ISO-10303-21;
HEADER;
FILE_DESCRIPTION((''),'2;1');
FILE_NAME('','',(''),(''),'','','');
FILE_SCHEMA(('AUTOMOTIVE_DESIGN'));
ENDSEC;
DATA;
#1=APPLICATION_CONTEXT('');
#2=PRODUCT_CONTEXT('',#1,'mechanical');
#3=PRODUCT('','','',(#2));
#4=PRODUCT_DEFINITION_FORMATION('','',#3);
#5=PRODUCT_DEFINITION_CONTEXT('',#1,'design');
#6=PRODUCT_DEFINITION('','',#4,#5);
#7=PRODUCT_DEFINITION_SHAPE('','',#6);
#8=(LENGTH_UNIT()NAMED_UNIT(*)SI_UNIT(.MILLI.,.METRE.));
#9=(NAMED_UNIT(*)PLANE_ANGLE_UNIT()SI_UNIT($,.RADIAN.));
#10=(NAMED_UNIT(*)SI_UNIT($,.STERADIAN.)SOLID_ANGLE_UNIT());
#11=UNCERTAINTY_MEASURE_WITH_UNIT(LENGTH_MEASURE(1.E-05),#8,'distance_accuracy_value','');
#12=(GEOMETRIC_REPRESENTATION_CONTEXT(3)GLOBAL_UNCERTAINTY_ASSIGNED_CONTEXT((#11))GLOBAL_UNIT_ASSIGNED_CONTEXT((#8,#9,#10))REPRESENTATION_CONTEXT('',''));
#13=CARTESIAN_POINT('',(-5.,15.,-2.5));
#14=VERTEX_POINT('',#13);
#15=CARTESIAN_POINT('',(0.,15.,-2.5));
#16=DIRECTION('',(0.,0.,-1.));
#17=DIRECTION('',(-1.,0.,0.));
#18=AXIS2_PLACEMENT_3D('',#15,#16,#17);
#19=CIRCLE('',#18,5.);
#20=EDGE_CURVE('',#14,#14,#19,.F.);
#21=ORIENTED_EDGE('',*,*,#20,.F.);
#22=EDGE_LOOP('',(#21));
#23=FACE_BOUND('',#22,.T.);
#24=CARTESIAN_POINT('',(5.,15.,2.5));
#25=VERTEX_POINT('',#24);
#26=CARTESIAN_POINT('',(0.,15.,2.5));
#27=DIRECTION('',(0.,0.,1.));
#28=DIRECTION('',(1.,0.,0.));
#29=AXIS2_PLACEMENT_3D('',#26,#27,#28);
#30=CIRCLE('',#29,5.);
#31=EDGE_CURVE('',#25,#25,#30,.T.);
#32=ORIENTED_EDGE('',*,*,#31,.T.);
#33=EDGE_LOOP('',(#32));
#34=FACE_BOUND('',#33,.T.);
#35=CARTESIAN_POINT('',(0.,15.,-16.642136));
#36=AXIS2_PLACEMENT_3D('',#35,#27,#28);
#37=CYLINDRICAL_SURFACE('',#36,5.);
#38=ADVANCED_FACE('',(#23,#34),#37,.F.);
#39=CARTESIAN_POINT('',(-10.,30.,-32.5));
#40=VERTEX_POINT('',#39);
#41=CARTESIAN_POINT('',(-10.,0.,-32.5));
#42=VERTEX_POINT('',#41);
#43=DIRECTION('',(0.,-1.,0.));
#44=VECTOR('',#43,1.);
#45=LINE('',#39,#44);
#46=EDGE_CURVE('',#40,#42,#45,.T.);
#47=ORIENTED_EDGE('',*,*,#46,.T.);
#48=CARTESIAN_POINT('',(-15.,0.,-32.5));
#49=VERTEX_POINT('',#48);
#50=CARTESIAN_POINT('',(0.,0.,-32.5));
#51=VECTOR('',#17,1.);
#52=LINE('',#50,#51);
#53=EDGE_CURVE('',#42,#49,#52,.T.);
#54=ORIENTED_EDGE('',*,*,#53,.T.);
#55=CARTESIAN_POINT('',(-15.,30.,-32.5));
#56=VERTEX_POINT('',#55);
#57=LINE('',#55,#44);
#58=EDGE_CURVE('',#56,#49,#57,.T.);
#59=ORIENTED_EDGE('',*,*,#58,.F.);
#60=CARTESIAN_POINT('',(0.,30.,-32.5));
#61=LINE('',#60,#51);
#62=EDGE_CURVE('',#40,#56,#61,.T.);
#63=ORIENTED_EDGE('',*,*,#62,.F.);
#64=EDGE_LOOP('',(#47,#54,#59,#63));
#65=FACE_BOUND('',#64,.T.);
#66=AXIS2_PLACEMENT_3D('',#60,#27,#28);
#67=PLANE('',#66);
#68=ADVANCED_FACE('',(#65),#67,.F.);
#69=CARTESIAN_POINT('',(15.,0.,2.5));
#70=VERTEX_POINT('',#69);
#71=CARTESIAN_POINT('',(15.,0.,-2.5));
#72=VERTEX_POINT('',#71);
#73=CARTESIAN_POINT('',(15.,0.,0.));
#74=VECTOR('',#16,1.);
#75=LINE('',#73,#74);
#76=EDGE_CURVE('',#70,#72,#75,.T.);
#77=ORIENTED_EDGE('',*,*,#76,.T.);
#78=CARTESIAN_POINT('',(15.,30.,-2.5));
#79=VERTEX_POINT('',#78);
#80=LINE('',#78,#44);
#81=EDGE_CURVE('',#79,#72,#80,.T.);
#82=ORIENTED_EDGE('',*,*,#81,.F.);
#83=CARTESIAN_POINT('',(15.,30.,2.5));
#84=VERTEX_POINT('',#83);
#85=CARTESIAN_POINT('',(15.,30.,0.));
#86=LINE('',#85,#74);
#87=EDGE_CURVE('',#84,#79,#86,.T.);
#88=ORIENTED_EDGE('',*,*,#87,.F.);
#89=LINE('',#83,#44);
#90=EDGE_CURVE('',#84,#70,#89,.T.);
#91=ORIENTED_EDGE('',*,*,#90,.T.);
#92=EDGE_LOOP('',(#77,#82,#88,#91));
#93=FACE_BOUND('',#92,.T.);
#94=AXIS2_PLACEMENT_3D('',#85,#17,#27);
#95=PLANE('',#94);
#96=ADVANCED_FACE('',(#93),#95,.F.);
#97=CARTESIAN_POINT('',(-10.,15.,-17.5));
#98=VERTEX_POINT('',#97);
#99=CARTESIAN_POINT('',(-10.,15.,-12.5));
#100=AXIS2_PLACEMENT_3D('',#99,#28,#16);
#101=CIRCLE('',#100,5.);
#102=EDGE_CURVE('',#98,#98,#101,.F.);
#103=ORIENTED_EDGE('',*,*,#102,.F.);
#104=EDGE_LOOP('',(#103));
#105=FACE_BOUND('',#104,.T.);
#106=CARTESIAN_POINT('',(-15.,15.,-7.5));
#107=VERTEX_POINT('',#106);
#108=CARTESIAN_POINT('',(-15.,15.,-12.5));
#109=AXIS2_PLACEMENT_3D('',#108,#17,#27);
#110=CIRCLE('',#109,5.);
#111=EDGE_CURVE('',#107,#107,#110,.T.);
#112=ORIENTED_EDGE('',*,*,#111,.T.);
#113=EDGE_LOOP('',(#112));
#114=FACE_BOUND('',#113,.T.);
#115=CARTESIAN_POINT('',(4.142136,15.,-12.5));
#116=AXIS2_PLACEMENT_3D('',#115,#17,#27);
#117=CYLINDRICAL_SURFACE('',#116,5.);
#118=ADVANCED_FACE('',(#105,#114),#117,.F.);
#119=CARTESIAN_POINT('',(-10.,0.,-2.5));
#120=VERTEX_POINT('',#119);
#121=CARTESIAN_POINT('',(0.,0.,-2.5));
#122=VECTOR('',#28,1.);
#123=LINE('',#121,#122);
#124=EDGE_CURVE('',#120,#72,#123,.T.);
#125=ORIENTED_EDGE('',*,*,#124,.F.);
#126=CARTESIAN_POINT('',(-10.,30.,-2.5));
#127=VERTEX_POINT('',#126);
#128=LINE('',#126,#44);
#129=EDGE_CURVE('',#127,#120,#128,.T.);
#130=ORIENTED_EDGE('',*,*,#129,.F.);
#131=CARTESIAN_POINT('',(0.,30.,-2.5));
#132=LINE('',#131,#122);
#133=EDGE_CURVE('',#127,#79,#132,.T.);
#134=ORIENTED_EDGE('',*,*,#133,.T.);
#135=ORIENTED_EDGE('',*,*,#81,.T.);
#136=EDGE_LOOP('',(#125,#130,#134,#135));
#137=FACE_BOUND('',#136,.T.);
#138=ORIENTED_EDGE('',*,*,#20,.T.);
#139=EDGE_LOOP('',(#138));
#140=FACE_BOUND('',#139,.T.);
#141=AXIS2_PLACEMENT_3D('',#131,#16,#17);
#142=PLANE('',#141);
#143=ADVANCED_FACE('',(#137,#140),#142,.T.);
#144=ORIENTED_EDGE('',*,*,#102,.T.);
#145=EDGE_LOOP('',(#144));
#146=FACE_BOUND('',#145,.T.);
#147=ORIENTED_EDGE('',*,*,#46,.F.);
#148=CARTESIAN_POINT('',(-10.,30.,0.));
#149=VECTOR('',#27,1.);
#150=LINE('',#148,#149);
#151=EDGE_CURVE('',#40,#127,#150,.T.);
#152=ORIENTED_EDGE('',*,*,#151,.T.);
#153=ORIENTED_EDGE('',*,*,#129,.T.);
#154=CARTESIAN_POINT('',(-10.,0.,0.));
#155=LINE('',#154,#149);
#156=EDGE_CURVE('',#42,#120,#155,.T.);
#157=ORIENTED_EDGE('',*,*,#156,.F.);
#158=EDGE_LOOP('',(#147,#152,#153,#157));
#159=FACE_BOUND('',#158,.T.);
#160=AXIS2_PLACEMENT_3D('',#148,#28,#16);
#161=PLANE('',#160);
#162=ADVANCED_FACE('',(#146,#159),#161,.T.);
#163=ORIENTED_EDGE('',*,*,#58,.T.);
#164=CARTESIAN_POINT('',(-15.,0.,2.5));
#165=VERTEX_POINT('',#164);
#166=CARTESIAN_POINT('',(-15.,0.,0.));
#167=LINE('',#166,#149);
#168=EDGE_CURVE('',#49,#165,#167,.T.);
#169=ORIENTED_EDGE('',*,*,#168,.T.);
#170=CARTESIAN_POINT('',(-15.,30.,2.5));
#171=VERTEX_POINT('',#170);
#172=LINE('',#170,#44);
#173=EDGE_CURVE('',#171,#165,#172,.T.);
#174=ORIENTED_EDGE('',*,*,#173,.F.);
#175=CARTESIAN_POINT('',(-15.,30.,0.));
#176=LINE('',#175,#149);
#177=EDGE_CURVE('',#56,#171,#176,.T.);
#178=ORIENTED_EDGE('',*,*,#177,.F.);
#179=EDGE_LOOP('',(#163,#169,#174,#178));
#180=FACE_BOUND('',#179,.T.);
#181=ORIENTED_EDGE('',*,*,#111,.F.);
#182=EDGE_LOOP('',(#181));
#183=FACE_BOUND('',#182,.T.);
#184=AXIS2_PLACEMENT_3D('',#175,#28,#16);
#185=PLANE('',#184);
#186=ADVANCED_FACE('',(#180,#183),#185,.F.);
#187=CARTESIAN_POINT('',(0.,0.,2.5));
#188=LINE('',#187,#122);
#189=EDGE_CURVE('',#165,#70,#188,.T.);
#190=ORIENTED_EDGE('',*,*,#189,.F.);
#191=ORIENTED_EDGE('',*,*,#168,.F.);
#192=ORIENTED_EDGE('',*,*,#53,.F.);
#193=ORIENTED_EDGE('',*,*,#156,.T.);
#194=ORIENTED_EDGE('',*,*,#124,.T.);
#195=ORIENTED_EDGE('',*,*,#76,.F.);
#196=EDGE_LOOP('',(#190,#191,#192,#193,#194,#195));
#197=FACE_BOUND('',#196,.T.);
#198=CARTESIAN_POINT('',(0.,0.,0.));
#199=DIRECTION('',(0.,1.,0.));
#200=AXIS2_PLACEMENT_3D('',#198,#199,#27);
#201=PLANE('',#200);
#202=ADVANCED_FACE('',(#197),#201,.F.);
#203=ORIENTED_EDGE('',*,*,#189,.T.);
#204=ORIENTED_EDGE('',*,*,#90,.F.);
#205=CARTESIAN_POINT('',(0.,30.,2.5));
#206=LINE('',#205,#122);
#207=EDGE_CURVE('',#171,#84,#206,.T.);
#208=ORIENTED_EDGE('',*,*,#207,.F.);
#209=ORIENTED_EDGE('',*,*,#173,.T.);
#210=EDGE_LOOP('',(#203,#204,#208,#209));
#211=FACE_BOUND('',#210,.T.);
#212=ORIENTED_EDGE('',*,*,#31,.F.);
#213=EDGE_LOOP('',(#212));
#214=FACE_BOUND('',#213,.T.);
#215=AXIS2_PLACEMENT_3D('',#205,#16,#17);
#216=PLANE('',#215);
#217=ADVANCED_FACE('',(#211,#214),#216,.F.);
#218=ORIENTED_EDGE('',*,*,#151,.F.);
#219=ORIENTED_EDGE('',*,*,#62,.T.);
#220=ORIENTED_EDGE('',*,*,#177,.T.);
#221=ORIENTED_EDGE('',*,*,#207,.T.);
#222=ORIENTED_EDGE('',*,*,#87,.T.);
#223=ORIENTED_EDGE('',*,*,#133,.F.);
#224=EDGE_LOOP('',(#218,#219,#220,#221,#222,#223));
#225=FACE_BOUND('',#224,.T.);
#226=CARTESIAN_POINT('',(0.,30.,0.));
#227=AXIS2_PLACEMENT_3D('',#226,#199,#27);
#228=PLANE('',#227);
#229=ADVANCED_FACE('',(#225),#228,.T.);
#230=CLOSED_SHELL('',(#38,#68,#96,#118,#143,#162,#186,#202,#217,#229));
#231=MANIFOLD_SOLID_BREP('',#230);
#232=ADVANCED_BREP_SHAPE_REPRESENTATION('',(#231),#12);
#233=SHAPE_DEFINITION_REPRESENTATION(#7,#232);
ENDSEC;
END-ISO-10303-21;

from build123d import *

# Parameters (mm, degrees)
CROQUIS1_W              = 5
CROQUIS1_H              = 30
CROQUIS1_W_2            = 30
CROQUIS1_H_2            = 5
SALIENTE_EXTRUIR1_DEPTH = 30
CROQUIS2_R              = 5
CORTAR_EXTRUIR1_DEPTH   = 5
CROQUIS3_R              = 5
CORTAR_EXTRUIR2_DEPTH   = 5


with BuildPart() as part:
    # Croquis1 → Saliente-Extruir1 (new body)
    with BuildSketch(Plane(origin=(0, 0, 0), x_dir=(1, 0, 0), z_dir=(0, 1, 0))):
        with Locations((-12.5, 17.5)):
            Rectangle(CROQUIS1_W, CROQUIS1_H)
        Rectangle(CROQUIS1_W_2, CROQUIS1_H_2)
    extrude(amount=SALIENTE_EXTRUIR1_DEPTH)

    # Croquis2 → Cortar-Extruir1 (cut)
    with BuildSketch(Plane.XY.offset(2.5)):
        with Locations((0, 15)):
            Circle(CROQUIS2_R)
    extrude(amount=-CORTAR_EXTRUIR1_DEPTH, mode=Mode.SUBTRACT)

    # Croquis3 → Cortar-Extruir2 (cut)
    with BuildSketch(Plane.ZY.offset(15)):
        with Locations((-12.5, 15)):
            Circle(CROQUIS3_R)
    extrude(amount=-CORTAR_EXTRUIR2_DEPTH, mode=Mode.SUBTRACT)


solid = part.part
